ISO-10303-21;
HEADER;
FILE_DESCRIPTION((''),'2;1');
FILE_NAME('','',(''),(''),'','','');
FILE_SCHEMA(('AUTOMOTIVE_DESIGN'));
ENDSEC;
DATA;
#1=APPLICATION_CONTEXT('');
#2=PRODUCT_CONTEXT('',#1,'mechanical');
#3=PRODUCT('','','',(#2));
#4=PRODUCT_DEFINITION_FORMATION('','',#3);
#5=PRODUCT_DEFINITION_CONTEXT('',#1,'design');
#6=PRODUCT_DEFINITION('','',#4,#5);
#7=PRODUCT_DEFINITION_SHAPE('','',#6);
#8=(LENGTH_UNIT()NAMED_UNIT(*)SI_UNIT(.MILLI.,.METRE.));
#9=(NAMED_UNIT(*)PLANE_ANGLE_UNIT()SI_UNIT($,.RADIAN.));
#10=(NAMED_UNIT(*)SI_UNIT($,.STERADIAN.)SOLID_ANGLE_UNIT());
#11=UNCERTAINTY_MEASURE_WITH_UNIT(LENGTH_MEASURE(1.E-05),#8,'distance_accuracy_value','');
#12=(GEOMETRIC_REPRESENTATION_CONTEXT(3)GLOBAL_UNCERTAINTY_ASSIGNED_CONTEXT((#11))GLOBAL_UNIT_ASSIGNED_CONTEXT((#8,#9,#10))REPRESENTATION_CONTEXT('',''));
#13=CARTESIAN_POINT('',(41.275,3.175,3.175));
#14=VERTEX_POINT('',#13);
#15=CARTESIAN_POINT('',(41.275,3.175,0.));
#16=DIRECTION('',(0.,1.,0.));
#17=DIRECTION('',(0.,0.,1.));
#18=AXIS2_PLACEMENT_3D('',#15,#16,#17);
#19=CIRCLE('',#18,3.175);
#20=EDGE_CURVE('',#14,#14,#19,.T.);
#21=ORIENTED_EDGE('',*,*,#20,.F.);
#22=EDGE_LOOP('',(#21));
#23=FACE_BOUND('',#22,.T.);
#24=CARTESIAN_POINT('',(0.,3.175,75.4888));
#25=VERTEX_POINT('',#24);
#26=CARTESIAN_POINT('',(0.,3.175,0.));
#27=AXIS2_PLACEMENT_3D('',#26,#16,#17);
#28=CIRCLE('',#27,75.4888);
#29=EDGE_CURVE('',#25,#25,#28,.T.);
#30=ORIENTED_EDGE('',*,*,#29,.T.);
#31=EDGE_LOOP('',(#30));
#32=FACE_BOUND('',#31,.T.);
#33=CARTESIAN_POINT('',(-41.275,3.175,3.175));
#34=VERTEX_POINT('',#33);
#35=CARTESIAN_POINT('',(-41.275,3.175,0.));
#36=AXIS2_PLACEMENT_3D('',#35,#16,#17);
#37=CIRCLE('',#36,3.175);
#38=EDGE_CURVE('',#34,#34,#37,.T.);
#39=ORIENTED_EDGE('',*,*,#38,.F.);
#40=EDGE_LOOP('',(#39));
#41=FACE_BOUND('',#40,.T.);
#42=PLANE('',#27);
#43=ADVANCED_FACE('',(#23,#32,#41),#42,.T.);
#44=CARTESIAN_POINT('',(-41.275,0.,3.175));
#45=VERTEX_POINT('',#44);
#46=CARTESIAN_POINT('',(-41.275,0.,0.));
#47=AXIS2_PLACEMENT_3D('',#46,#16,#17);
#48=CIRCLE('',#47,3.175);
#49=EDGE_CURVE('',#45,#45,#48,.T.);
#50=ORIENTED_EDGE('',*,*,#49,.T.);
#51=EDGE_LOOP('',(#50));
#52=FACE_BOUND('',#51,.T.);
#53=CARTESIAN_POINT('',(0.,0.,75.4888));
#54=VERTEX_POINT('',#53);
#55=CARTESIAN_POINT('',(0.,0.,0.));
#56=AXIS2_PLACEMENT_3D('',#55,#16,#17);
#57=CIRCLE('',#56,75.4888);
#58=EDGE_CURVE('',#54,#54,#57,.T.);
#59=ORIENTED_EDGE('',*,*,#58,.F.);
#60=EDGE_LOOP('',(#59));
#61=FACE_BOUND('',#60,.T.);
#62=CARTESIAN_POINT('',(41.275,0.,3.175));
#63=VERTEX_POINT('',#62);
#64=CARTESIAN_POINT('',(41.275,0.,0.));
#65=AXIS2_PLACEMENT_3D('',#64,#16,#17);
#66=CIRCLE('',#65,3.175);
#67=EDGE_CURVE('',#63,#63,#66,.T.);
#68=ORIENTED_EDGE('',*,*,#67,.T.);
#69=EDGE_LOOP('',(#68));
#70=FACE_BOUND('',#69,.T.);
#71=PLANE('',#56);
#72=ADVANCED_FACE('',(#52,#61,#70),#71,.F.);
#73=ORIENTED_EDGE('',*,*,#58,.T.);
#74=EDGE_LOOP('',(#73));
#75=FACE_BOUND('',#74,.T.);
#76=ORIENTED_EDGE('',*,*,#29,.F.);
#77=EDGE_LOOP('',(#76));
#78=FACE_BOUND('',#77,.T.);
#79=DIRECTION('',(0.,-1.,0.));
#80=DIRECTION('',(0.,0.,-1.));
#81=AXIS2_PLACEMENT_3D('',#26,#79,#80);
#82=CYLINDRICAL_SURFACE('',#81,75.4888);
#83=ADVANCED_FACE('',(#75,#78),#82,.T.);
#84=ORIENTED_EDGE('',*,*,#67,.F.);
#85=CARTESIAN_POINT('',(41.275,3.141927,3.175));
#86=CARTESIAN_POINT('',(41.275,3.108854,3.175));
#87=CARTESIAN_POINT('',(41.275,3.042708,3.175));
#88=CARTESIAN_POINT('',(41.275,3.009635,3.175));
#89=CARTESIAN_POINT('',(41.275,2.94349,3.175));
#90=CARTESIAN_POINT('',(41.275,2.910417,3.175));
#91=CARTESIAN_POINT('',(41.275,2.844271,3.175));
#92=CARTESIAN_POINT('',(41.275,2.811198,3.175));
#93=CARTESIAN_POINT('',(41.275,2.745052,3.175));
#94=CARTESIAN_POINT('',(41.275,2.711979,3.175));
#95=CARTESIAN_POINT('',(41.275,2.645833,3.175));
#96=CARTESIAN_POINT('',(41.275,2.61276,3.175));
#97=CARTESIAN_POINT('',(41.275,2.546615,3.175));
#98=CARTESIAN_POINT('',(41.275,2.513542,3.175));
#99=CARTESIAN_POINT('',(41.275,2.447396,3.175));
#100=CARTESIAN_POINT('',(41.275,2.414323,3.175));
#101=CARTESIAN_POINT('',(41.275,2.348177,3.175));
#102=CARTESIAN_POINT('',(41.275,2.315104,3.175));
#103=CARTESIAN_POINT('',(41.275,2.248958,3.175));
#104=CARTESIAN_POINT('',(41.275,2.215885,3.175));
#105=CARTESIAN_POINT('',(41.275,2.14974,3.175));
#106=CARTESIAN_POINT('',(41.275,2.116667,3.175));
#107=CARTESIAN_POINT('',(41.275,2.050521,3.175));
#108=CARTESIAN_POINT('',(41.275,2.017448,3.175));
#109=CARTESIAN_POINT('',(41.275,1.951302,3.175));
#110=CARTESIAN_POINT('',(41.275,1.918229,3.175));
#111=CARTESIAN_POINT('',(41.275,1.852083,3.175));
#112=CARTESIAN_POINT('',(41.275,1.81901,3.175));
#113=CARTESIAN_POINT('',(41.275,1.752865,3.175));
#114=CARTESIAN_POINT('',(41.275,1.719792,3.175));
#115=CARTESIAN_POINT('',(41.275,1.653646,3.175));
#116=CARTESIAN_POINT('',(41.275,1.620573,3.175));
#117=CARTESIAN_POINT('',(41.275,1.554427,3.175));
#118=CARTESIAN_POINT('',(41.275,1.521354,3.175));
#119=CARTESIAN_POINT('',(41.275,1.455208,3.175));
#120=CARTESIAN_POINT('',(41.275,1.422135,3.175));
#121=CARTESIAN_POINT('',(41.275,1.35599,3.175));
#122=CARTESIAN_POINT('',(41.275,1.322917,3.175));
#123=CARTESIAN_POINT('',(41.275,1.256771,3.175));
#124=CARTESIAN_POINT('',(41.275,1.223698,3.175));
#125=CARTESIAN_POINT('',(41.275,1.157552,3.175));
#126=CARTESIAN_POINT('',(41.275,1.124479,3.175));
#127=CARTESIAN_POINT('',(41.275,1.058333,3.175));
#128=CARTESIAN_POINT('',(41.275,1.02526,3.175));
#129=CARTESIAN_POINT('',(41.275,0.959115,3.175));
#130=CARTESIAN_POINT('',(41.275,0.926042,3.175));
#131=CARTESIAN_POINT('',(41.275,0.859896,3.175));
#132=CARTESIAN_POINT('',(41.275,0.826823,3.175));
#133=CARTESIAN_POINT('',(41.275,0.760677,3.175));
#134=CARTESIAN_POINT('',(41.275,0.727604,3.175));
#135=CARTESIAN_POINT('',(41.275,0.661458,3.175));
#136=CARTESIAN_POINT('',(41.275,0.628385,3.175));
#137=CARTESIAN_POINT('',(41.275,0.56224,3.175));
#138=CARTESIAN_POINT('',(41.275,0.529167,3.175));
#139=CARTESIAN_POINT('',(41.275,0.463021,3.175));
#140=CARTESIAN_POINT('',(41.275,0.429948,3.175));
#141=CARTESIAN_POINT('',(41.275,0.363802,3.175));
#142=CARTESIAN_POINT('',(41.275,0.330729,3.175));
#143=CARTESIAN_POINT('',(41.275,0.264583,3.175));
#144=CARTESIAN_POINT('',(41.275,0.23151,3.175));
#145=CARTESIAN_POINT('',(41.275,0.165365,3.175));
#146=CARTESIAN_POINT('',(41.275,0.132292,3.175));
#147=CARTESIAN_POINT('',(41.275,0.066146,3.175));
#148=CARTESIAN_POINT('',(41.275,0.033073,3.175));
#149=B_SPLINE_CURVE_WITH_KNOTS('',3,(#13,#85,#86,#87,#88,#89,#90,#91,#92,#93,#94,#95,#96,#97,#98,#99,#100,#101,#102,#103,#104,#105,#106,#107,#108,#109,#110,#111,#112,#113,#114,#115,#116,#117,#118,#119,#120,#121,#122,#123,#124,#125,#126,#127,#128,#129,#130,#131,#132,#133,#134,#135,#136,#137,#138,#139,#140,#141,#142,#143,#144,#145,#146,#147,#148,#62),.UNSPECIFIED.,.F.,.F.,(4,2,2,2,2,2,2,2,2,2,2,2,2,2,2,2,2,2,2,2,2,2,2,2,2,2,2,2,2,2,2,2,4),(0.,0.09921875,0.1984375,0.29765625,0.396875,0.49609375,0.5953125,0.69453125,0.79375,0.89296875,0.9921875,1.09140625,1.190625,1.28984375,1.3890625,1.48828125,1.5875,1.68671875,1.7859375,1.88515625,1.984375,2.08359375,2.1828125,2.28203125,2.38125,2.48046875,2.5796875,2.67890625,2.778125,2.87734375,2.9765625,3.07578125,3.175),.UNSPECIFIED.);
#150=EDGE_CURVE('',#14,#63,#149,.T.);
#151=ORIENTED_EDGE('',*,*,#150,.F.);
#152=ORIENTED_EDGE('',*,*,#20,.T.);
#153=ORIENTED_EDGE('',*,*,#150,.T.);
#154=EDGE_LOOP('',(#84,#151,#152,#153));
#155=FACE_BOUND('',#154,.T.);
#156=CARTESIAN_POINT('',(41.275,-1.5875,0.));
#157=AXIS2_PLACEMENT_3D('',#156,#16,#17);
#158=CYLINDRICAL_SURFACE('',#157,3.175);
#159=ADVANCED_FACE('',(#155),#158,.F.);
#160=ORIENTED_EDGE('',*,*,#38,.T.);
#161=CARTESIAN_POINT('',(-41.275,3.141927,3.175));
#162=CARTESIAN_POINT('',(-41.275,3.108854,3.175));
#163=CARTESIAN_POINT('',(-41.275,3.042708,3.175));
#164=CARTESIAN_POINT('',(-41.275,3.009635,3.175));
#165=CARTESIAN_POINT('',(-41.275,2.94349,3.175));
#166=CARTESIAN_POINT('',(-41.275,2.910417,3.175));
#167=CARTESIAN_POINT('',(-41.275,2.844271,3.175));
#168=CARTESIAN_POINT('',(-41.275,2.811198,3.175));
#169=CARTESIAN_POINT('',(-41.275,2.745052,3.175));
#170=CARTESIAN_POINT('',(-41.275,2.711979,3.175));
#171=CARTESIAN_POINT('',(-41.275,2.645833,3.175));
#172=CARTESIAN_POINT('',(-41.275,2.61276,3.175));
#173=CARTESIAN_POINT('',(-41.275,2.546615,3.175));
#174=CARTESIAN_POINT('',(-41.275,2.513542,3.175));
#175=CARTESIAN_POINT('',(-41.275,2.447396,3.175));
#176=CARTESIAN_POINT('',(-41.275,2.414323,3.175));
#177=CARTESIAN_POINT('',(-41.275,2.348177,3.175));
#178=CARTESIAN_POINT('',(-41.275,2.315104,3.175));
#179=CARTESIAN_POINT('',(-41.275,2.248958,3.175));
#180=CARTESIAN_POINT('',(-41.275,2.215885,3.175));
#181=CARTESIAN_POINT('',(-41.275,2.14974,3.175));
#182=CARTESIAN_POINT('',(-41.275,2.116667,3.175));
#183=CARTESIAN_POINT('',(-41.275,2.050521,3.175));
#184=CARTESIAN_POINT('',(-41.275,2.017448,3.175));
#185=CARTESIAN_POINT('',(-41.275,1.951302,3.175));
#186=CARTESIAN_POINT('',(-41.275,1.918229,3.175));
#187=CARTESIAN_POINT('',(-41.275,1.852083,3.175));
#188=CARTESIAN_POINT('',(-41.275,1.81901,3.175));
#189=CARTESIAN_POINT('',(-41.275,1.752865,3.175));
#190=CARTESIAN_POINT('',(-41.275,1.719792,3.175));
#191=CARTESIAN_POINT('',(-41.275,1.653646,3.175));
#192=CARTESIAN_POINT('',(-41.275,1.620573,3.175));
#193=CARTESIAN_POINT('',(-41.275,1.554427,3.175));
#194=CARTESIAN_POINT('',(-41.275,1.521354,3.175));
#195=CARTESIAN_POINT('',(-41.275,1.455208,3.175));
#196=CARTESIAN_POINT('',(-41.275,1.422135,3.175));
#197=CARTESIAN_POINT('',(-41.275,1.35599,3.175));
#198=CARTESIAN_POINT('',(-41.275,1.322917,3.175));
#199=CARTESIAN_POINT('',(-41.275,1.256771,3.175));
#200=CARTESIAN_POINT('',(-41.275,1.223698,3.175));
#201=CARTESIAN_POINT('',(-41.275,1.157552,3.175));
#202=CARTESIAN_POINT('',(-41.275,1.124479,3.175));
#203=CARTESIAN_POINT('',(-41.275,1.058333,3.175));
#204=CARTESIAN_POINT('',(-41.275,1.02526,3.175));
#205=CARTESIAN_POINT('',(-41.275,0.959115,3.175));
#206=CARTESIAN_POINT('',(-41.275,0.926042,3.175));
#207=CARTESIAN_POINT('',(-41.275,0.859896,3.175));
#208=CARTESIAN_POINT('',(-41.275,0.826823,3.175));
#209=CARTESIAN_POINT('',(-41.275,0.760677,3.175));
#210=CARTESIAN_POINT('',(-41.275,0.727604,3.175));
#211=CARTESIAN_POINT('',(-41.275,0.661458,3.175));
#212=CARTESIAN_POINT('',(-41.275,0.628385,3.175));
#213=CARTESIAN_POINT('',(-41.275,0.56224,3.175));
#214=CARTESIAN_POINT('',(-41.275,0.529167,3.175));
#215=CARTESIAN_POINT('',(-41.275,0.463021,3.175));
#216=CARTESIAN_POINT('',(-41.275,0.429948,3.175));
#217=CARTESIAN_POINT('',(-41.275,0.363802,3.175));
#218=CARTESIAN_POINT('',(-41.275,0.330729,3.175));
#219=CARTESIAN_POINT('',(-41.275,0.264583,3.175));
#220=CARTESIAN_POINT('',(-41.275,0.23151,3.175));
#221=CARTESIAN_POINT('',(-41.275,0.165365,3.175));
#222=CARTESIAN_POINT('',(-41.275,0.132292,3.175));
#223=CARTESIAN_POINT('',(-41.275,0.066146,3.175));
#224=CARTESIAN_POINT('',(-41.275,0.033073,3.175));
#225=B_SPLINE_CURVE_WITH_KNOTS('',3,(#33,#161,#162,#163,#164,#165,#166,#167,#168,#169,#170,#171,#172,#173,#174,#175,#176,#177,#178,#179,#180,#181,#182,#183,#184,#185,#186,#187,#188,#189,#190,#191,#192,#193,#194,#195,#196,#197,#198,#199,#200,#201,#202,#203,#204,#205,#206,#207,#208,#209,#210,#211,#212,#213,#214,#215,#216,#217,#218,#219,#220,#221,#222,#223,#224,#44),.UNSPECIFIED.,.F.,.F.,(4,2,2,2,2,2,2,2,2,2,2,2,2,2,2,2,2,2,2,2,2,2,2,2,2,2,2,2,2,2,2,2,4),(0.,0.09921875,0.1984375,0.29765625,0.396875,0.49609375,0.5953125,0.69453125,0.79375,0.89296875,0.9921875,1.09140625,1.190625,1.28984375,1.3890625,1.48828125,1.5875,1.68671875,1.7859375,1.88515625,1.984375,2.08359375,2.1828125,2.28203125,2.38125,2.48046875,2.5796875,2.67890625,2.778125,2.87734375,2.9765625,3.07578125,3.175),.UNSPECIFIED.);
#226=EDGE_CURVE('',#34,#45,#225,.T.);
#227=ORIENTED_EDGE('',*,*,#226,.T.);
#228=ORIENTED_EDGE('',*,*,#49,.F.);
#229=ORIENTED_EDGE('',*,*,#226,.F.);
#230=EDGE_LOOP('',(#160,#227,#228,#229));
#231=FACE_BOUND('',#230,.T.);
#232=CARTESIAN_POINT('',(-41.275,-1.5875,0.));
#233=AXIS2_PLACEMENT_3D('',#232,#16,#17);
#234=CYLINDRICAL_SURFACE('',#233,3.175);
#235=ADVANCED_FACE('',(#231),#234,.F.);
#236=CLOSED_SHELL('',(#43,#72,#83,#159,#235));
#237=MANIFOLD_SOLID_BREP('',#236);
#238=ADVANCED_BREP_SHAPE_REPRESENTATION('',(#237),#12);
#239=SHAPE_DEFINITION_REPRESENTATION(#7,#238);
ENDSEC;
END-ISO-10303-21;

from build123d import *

# Parameters (mm, degrees)
SKETCH2_R           = 75.4888
BOSS_EXTRUDE1_DEPTH = 3.175
SKETCH8_R           = 3.175
CUT_EXTRUDE5_DEPTH  = 4.7625


with BuildPart() as part:
    # Sketch2 → Boss-Extrude1 (new body)
    with BuildSketch(Plane(origin=(0, 0, 0), x_dir=(1, 0, 0), z_dir=(0, 1, 0))):
        Circle(SKETCH2_R)
    extrude(amount=BOSS_EXTRUDE1_DEPTH)

    # Sketch8 → Cut-Extrude5 (cut)
    with BuildSketch(Plane(origin=(0, 3.175, 0), x_dir=(1, 0, 0), z_dir=(0, 1, 0))):
        with Locations((-41.275, 0)):
            Circle(SKETCH8_R)
        with Locations((41.275, 0)):
            Circle(SKETCH8_R)
    extrude(amount=-CUT_EXTRUDE5_DEPTH, mode=Mode.SUBTRACT)


solid = part.part
